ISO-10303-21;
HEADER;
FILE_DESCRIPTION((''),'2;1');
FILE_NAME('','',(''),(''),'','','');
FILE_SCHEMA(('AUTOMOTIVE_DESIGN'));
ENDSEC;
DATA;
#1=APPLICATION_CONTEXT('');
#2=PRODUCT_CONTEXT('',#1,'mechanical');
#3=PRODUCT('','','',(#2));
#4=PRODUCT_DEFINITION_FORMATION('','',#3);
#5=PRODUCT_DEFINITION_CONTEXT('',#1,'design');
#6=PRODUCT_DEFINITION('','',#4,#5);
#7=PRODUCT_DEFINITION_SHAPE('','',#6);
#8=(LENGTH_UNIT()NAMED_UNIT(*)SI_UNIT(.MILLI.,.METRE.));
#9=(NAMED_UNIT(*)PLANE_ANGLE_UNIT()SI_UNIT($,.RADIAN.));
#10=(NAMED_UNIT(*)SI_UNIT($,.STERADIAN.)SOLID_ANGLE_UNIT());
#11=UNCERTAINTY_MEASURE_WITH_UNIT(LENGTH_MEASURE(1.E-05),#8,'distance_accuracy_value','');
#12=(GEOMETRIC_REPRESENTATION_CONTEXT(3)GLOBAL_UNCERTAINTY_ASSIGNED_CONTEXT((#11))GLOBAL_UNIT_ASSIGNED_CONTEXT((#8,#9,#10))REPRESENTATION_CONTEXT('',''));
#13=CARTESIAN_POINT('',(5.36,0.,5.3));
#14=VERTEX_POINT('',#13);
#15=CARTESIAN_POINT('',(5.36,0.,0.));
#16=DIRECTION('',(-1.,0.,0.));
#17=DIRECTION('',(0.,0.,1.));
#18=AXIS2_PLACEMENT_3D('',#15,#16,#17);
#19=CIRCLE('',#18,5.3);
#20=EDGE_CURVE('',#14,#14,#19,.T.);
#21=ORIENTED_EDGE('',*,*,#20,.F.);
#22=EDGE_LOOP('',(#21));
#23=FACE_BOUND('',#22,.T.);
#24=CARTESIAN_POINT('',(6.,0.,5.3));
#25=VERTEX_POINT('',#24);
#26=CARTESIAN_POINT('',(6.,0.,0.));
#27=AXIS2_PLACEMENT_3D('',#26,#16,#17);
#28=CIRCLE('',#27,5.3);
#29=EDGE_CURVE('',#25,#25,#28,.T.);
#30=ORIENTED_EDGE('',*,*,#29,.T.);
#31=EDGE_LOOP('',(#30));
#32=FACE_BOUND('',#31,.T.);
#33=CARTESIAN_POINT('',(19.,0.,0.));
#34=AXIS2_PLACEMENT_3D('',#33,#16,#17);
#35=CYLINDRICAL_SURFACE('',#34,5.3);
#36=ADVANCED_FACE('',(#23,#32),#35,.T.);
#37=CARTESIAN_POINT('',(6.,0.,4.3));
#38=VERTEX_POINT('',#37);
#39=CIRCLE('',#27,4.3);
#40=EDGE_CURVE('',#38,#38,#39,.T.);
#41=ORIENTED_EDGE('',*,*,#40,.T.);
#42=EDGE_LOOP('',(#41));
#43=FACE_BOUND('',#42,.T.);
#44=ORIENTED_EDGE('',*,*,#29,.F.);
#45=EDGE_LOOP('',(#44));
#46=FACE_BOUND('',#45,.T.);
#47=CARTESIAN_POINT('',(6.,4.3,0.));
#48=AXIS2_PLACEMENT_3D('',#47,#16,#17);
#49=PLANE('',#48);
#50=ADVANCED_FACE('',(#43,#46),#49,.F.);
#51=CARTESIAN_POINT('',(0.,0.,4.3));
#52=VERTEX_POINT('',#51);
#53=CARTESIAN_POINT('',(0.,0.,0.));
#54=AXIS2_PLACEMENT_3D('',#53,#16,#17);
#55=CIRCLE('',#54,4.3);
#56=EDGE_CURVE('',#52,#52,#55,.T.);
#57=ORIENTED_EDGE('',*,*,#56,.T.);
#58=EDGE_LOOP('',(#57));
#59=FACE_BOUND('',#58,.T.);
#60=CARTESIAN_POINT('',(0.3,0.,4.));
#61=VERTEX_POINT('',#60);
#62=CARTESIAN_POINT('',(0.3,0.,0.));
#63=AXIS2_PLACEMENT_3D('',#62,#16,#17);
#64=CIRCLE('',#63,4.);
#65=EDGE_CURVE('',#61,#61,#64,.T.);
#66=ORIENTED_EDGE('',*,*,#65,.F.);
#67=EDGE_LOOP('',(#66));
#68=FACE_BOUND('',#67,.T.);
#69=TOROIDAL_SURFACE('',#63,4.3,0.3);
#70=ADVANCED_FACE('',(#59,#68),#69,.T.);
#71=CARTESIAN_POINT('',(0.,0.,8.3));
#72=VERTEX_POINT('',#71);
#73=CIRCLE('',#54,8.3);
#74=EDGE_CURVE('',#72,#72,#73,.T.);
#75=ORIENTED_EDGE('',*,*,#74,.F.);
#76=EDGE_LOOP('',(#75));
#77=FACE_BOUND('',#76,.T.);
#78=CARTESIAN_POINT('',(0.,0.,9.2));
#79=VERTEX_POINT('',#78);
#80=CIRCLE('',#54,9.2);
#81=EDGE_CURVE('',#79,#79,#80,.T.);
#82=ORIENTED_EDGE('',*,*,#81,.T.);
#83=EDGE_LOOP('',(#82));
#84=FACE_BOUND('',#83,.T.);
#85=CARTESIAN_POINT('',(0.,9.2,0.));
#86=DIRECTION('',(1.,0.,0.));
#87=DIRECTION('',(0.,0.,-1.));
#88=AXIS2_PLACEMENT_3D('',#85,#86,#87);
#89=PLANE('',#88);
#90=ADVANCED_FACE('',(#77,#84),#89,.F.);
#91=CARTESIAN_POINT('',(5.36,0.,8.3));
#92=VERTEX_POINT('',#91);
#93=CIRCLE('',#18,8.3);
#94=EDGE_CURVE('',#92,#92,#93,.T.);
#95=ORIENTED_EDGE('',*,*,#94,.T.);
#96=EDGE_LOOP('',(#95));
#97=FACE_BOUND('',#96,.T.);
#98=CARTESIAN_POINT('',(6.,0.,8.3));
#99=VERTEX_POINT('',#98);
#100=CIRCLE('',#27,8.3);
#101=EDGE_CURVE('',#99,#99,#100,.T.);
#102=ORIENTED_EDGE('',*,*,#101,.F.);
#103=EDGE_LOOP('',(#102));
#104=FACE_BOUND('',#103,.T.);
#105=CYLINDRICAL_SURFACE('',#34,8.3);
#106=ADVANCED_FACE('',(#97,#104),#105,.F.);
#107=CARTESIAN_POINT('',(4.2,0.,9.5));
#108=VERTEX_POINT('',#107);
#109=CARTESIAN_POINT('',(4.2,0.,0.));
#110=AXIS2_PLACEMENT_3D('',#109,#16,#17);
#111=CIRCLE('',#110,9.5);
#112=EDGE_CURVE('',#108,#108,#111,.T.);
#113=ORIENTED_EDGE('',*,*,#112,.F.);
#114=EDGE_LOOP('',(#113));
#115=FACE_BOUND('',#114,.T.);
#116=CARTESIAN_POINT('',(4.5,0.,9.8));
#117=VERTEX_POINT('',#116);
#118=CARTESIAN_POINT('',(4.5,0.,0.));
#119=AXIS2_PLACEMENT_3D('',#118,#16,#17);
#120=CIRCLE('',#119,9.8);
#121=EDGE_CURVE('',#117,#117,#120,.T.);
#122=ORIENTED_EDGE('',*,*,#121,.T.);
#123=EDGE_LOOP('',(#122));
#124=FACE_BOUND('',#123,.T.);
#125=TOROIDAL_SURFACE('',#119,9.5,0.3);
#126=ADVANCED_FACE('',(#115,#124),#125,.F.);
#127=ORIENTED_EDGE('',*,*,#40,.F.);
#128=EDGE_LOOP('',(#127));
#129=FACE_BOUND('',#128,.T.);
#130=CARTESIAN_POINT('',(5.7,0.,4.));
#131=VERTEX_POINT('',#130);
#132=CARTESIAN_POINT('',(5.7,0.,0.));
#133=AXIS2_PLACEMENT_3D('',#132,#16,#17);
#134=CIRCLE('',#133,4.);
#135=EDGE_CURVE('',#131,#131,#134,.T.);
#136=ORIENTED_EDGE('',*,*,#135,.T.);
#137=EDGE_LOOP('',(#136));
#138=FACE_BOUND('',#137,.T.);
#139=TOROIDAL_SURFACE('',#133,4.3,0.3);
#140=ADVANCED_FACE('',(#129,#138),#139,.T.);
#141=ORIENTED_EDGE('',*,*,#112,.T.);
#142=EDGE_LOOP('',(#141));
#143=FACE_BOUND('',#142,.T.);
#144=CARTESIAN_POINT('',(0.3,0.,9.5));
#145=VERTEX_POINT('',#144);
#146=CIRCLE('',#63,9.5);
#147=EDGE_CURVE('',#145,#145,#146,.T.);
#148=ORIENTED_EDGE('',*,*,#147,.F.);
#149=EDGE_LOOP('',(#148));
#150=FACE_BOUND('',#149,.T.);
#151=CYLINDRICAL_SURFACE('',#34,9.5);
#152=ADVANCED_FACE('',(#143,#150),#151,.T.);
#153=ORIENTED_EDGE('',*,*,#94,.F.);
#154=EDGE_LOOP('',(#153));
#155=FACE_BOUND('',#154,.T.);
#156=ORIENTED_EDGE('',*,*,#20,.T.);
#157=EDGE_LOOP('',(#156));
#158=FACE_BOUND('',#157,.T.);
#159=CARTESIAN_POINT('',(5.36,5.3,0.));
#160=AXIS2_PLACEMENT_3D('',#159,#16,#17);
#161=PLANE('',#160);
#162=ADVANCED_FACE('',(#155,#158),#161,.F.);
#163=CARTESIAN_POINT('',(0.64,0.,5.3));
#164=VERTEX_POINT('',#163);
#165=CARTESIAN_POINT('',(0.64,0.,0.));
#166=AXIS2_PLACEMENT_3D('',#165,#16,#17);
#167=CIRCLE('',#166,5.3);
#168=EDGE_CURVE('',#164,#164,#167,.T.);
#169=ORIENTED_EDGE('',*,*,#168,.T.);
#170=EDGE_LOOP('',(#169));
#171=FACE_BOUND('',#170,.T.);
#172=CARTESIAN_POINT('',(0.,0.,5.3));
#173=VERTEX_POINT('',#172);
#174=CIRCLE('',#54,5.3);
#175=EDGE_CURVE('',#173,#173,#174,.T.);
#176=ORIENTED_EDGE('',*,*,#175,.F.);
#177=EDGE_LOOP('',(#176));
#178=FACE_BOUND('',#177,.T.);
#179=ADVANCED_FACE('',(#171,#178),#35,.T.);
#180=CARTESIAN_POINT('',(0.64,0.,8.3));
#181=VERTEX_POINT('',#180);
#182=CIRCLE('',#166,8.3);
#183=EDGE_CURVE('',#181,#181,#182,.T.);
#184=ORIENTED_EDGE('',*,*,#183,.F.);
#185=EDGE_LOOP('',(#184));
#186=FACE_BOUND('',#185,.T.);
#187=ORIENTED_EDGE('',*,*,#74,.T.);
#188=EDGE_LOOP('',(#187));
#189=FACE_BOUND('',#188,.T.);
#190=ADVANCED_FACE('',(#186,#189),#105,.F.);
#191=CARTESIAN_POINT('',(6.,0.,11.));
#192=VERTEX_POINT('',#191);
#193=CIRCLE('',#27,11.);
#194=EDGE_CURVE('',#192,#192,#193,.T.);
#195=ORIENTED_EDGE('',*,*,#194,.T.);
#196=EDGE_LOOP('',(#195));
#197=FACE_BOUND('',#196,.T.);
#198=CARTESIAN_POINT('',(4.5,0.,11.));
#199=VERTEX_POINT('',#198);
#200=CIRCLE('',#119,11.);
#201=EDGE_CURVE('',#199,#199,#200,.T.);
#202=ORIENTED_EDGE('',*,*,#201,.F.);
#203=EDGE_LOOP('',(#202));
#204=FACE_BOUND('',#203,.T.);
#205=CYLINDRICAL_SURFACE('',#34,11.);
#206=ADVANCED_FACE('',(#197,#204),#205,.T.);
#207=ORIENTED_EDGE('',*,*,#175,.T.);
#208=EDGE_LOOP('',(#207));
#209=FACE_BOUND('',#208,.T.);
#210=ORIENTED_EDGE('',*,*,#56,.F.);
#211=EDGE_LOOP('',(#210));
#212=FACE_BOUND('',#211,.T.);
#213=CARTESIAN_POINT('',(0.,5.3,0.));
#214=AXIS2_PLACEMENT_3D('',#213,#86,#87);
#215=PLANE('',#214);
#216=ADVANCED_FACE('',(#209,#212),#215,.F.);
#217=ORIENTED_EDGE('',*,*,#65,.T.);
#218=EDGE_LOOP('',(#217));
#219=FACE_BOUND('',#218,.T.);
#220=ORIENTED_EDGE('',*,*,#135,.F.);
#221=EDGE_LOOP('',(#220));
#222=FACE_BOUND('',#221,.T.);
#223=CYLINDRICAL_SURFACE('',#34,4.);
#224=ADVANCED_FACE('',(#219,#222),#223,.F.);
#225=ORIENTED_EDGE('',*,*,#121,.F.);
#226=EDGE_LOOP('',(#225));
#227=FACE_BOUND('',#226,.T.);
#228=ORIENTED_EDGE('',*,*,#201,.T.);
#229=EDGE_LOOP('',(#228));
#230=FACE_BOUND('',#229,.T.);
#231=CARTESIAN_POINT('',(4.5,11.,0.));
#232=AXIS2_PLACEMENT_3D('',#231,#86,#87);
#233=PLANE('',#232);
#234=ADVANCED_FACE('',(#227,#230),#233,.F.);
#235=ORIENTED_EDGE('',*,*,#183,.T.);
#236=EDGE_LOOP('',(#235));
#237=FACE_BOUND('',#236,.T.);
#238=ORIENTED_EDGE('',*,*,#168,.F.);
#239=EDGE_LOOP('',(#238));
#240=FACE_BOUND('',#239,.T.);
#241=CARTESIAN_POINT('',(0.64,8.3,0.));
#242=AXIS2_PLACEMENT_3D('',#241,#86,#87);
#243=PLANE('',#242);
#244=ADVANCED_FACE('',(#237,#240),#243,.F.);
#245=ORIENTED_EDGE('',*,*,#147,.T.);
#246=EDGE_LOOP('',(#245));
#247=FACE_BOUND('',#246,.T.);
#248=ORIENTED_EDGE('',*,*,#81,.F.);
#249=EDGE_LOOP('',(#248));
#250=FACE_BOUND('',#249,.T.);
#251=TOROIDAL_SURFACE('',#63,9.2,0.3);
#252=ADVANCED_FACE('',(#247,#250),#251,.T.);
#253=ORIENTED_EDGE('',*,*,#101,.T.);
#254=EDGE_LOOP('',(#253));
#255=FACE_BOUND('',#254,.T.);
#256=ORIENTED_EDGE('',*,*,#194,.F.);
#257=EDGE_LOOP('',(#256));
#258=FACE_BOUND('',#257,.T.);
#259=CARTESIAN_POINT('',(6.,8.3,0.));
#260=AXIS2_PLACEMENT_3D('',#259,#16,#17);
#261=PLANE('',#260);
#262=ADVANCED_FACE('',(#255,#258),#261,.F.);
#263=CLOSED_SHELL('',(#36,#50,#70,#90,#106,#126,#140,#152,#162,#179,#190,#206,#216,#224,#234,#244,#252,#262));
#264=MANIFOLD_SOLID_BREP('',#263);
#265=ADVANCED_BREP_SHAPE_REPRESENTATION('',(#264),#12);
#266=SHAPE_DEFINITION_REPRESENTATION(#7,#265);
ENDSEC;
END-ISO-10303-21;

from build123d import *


with BuildPart() as part:
    # Sketch1 → Revolve1 (revolve)
    with BuildSketch(Plane.XY, mode=Mode.PRIVATE) as revolve1_sk:
        with BuildLine():
            Line((0, 9.2), (0, 8.3))
            Line((0, 8.3), (0.64, 8.3))
            Line((0.64, 8.3), (0.64, 5.3))
            Line((0.64, 5.3), (0, 5.3))
            Line((0, 5.3), (0, 4.3))
            ThreePointArc((0, 4.3), (0.087867966, 4.087867966), (0.3, 4))
            Line((0.3, 4), (5.7, 4))
            ThreePointArc((5.7, 4), (5.912132034, 4.087867966), (6, 4.3))
            Line((6, 4.3), (6, 5.3))
            Line((6, 5.3), (5.36, 5.3))
            Line((5.36, 5.3), (5.36, 8.3))
            Line((5.36, 8.3), (6, 8.3))
            Line((6, 8.3), (6, 11))
            Line((6, 11), (4.5, 11))
            Line((4.5, 11), (4.5, 9.8))
            ThreePointArc((4.5, 9.8), (4.712132034, 9.287867966), (4.2, 9.5))
            Line((4.2, 9.5), (0.3, 9.5))
            ThreePointArc((0.3, 9.5), (0.087867966, 9.412132034), (0, 9.2))
        make_face()
    revolve(revolve1_sk.sketch.rotate(Axis((19, 0, 0), (-1, 0, 0)), 270), axis=Axis((19, 0, 0), (-1, 0, 0)))


solid = part.part
